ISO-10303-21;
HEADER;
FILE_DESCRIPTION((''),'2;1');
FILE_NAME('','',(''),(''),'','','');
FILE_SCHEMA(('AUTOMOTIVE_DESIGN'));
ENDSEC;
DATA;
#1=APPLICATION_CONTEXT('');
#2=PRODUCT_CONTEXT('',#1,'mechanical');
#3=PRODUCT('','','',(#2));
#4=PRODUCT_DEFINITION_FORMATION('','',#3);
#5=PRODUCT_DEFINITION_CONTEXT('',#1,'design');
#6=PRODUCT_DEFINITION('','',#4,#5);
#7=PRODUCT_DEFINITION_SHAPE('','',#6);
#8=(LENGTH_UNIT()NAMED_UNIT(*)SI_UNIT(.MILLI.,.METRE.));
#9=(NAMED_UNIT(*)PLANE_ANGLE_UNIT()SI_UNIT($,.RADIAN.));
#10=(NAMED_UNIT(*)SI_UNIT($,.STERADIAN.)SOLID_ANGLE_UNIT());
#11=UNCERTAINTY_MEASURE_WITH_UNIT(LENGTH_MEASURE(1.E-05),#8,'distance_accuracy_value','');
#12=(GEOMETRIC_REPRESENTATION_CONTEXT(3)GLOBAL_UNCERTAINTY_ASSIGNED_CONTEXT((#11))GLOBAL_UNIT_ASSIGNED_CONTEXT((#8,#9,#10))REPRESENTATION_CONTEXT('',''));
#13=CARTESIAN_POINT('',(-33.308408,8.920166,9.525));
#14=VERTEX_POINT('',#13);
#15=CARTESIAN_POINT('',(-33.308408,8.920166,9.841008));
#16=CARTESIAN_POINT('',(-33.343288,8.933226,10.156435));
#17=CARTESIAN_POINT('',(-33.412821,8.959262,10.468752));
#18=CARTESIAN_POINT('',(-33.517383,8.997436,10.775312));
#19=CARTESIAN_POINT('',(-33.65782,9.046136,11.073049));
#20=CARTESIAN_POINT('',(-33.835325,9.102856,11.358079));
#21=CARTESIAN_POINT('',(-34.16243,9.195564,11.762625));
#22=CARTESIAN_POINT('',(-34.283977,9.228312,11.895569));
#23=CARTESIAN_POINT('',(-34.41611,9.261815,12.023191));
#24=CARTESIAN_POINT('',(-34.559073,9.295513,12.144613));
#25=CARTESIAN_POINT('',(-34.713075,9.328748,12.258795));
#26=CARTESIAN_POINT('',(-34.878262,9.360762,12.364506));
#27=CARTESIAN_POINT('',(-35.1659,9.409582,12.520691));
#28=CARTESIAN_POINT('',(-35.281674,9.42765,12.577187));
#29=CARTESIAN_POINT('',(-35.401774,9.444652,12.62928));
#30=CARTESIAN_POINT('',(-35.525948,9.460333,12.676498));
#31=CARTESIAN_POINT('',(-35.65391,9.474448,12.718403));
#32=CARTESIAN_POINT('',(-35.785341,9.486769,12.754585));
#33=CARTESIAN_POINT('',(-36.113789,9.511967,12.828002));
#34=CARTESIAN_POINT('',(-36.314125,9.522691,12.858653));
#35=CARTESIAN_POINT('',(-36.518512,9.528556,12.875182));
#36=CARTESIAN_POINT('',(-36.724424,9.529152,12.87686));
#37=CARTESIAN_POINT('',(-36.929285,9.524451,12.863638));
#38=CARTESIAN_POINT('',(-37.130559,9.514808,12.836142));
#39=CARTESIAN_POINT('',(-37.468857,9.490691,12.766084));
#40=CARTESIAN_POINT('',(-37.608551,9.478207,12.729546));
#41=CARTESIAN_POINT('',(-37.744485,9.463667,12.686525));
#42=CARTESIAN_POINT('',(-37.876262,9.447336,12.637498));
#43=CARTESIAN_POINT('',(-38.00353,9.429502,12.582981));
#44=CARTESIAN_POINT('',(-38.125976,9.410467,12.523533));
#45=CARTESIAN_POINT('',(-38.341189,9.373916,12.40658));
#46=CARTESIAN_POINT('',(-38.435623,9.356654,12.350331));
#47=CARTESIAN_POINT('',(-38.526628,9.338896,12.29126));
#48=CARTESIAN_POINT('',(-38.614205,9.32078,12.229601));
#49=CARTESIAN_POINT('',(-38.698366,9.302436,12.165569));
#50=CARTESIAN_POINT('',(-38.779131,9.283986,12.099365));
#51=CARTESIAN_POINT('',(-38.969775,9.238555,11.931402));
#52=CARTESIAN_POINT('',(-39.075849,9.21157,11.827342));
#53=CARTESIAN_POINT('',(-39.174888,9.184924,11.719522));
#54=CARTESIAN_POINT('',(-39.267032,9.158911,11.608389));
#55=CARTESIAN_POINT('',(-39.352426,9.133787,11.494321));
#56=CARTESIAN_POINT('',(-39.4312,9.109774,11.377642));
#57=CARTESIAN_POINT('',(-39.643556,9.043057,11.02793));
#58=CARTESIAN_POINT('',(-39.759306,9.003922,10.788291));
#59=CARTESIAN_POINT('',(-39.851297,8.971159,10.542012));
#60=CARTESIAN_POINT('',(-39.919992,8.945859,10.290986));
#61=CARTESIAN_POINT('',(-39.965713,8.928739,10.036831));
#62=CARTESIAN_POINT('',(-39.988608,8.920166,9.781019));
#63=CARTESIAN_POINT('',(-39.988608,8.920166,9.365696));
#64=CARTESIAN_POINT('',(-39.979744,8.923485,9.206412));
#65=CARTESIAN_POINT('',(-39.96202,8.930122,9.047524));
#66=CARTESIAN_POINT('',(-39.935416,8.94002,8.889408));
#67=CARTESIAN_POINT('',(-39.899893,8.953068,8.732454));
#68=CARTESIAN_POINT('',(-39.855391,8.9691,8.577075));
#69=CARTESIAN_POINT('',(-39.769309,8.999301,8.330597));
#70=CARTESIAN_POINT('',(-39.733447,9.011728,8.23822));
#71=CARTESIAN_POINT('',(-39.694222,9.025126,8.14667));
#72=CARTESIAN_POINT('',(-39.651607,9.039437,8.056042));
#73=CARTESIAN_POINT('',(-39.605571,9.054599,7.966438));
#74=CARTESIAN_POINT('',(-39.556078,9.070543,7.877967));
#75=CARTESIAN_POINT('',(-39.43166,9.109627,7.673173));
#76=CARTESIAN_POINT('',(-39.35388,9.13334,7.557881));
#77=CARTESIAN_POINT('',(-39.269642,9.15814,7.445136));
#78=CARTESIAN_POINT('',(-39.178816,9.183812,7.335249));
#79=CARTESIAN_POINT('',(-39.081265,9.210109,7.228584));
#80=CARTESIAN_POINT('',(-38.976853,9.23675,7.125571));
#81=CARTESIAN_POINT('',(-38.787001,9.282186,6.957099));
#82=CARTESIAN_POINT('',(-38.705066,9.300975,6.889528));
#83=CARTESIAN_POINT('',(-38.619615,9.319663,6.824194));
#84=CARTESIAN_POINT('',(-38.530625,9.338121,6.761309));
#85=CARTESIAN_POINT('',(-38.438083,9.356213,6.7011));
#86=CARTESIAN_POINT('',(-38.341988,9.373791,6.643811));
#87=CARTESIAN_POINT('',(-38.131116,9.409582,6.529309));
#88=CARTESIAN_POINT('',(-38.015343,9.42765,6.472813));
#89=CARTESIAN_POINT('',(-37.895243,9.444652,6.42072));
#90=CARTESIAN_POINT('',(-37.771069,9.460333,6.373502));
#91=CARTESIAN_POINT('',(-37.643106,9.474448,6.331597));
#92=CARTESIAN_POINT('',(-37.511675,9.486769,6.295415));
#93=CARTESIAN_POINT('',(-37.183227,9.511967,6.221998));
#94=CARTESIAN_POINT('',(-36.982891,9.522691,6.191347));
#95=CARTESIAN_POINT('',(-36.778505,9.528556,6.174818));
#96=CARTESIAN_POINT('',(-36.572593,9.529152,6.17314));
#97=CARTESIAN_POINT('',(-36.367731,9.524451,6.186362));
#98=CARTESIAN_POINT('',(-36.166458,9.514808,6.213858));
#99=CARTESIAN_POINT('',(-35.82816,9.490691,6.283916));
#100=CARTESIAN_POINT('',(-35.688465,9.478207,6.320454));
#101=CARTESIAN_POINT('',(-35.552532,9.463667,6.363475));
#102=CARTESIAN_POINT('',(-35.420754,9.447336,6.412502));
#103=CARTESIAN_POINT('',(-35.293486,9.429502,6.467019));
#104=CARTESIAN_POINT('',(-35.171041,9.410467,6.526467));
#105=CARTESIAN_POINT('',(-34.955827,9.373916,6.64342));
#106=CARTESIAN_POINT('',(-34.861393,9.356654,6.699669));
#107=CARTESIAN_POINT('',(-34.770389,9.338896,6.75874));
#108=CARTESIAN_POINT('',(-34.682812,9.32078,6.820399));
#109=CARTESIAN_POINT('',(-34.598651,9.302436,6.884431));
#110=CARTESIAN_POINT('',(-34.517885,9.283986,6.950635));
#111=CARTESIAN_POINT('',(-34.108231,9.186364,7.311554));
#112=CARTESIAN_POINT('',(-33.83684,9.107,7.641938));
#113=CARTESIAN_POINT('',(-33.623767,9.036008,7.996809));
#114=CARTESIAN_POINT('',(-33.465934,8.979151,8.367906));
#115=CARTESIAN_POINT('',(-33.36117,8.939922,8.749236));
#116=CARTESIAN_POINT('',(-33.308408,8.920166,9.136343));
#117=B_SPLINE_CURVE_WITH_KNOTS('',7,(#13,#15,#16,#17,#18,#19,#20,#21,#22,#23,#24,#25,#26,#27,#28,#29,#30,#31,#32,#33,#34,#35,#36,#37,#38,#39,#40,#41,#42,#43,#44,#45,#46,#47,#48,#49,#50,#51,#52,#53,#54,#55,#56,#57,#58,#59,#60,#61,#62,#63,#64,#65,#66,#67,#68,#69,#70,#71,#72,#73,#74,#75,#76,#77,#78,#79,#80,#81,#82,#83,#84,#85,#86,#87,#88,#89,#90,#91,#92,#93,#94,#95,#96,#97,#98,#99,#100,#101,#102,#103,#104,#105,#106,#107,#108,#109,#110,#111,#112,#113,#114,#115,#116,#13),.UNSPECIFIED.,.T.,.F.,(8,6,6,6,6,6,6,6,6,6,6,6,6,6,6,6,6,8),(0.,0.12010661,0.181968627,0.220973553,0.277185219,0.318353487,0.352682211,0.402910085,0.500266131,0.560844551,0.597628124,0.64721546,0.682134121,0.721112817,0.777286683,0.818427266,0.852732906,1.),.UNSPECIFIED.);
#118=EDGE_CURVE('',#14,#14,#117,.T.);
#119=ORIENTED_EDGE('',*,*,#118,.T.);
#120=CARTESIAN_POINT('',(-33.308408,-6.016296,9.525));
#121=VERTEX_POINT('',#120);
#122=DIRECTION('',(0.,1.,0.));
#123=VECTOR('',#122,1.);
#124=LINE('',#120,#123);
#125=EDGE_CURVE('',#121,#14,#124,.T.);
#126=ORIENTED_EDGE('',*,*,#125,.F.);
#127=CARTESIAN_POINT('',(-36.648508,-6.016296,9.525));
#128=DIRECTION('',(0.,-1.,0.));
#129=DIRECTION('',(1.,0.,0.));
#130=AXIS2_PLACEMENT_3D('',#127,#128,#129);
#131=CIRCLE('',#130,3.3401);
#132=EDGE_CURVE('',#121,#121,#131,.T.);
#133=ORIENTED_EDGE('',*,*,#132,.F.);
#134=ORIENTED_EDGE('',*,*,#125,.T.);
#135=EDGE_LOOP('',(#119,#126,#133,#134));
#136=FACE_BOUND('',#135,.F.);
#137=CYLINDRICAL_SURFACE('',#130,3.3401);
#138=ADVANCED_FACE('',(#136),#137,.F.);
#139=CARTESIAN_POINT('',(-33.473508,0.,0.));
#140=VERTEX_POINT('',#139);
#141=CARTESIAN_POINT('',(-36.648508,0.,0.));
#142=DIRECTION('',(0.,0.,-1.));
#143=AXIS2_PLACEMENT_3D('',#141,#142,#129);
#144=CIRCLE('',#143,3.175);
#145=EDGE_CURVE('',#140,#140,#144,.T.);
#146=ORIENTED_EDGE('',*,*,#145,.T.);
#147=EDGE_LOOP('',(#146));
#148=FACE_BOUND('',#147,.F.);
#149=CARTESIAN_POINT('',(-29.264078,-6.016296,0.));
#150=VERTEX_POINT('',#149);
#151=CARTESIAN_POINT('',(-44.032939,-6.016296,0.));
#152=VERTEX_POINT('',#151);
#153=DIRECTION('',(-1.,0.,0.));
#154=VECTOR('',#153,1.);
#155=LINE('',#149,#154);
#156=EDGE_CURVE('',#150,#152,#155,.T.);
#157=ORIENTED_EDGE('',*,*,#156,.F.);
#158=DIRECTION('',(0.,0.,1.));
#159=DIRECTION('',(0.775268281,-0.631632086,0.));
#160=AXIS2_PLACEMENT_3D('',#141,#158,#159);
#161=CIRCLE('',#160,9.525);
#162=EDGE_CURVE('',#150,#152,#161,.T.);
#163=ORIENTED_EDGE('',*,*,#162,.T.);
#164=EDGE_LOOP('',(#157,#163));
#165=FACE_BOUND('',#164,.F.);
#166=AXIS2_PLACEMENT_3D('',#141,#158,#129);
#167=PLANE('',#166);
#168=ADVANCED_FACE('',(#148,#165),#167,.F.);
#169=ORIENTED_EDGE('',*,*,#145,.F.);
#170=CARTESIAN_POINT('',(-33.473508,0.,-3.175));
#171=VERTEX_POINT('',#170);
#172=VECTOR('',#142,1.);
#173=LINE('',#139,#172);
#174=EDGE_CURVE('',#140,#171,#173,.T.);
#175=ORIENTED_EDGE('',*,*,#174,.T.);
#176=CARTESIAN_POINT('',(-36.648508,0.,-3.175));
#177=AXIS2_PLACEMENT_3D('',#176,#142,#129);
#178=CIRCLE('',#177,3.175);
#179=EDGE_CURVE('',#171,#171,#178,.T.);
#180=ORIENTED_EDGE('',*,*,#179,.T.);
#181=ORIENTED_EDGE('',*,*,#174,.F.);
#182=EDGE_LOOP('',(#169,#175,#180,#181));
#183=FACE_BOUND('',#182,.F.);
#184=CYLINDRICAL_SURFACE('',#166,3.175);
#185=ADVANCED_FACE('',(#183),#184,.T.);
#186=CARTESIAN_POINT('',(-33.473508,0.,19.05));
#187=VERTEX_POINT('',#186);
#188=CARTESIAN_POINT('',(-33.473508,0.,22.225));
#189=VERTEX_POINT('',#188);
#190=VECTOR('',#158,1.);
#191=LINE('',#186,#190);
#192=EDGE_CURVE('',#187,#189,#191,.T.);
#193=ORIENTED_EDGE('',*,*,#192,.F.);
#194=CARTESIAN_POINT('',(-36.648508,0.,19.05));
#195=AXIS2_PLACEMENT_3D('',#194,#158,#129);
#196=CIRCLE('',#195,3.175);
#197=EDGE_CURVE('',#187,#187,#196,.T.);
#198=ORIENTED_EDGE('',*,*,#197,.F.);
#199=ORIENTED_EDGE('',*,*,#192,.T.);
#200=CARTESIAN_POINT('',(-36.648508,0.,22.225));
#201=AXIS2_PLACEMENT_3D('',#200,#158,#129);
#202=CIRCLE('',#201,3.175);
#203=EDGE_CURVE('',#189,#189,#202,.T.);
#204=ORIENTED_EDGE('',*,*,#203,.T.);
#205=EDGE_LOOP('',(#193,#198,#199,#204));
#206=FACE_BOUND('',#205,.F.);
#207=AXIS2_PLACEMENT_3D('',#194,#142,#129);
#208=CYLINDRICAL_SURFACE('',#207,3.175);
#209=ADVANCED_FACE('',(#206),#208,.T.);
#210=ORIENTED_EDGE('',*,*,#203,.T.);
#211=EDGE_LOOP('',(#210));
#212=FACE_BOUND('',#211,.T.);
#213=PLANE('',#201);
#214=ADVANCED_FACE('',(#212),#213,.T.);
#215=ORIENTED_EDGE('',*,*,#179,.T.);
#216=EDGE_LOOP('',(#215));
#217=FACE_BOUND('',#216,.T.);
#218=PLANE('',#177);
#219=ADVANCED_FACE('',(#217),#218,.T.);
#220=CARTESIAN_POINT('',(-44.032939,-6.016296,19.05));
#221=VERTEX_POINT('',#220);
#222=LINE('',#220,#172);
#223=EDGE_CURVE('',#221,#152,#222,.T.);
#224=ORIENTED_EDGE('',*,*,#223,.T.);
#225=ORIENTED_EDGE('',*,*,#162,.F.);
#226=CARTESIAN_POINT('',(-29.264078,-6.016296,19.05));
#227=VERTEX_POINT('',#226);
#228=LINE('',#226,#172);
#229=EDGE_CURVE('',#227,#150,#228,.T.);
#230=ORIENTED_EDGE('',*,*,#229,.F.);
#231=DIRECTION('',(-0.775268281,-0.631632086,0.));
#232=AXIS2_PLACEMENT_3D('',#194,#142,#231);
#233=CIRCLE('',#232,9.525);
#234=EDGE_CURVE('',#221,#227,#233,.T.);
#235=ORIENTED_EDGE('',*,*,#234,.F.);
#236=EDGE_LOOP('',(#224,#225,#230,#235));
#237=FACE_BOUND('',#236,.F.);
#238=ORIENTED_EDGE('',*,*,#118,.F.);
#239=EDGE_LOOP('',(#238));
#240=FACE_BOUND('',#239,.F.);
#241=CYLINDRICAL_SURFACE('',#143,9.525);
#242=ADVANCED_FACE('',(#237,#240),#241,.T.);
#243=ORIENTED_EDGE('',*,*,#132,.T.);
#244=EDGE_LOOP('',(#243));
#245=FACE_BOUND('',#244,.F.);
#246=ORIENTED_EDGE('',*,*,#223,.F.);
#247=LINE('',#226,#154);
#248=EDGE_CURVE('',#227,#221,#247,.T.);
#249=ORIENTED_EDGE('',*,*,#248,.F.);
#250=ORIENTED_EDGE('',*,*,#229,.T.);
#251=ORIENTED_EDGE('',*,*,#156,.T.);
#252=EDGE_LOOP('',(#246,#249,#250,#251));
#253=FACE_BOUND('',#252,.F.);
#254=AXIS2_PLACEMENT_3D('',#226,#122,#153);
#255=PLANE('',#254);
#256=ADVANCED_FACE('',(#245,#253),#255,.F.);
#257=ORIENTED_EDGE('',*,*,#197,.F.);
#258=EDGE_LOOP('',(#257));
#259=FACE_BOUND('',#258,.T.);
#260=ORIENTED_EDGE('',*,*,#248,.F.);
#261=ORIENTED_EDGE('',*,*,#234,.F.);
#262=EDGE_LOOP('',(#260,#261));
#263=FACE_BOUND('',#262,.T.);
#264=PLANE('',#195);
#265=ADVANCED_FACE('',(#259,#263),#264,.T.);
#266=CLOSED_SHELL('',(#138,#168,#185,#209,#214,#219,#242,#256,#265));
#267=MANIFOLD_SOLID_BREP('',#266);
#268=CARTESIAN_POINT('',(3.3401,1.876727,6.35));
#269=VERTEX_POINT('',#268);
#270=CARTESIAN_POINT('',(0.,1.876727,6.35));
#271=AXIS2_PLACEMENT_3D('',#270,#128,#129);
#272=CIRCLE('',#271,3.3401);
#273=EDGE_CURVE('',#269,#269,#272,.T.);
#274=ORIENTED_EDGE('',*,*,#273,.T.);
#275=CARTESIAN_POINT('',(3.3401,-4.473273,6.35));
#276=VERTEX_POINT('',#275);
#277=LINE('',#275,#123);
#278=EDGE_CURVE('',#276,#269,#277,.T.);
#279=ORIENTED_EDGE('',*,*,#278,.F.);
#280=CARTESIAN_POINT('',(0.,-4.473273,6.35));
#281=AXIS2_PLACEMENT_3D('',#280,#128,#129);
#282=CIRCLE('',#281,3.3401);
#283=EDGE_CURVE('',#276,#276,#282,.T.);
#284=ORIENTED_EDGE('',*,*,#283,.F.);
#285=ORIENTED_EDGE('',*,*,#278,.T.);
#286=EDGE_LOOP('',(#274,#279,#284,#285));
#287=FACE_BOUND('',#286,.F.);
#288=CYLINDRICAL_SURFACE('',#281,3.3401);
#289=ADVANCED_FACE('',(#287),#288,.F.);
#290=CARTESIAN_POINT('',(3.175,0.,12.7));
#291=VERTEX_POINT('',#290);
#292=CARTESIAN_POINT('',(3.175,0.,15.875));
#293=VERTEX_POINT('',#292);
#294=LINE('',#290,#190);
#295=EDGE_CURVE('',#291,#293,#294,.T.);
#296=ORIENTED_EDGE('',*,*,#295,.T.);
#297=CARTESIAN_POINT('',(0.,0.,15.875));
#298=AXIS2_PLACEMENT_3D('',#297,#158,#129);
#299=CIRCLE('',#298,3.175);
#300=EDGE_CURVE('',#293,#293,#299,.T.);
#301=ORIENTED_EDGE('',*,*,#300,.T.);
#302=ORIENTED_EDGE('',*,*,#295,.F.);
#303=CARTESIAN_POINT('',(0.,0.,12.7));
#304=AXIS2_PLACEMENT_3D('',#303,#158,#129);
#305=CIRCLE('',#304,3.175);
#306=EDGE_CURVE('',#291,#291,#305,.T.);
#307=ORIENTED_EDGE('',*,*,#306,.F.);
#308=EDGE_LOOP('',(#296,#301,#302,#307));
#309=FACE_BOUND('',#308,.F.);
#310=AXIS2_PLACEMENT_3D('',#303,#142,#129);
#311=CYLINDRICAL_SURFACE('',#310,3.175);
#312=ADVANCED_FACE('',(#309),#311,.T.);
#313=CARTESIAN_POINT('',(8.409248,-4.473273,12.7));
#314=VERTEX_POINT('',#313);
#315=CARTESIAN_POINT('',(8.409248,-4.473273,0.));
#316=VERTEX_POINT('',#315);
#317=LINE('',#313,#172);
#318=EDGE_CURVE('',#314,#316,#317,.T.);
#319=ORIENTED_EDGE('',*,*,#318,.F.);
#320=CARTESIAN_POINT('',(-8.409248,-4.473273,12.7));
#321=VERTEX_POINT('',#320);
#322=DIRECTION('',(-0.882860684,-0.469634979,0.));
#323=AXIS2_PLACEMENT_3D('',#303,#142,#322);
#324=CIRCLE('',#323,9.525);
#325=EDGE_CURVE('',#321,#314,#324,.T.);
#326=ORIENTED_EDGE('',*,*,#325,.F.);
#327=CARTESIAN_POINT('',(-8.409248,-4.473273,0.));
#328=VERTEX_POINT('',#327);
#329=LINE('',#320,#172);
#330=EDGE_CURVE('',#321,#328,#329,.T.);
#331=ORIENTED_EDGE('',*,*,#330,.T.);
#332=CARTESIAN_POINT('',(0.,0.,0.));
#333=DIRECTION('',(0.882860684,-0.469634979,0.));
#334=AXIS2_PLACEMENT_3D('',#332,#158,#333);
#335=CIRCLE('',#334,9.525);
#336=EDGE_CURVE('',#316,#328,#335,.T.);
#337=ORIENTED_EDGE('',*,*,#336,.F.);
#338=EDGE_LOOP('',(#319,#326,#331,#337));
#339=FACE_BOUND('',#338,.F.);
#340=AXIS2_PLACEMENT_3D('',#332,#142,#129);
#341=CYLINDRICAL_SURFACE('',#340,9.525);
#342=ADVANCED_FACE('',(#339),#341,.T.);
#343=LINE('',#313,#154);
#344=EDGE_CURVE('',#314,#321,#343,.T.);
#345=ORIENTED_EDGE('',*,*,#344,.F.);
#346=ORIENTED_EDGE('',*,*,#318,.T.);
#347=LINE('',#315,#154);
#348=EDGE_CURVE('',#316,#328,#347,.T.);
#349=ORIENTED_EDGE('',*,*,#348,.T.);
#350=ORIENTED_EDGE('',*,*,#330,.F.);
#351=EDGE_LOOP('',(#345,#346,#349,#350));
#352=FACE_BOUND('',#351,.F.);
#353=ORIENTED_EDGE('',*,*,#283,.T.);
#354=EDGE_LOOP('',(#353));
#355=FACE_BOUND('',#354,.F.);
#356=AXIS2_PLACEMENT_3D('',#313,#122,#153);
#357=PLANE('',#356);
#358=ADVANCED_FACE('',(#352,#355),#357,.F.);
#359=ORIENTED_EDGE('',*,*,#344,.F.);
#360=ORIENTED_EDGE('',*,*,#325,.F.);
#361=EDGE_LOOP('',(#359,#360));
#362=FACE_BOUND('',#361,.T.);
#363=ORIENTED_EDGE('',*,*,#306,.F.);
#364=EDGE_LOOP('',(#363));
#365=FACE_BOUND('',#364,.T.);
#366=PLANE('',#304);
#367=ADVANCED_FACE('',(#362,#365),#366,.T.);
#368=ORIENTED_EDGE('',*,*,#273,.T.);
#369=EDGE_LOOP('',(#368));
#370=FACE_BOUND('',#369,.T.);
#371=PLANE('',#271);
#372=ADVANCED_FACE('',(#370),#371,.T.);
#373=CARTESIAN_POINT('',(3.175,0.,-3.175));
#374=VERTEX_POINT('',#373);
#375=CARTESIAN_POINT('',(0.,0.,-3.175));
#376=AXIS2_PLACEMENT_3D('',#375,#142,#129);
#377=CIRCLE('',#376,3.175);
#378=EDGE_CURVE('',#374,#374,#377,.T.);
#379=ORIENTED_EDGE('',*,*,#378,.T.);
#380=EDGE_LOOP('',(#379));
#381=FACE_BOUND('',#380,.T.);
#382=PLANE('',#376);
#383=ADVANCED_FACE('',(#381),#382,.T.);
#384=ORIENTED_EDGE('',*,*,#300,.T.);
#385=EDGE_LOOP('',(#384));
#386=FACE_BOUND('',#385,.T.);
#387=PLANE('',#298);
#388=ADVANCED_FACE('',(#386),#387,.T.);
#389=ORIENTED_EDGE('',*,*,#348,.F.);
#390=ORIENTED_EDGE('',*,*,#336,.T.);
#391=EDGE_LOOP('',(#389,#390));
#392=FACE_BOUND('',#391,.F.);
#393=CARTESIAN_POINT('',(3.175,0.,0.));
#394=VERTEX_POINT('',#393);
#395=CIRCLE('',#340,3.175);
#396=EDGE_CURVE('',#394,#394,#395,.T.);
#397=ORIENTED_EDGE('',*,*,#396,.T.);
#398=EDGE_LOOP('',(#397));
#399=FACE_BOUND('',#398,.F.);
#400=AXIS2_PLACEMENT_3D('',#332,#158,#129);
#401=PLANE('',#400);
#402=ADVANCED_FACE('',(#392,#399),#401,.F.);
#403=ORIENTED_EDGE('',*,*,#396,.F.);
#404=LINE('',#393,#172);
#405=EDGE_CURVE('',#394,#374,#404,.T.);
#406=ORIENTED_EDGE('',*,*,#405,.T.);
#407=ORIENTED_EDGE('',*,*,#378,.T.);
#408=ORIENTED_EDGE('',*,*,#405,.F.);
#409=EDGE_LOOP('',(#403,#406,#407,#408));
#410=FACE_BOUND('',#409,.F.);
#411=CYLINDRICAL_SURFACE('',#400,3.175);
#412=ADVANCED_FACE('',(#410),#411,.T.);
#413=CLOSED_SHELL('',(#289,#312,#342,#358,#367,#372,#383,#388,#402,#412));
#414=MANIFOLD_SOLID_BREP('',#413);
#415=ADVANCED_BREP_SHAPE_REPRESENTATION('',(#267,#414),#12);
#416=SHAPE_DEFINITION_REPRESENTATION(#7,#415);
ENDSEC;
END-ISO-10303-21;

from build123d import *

# Parameters (mm, degrees)
F0_R      = 9.525
F1_DEPTH  = 12.7
F2_R      = 3.175
F3_DEPTH  = 3.175
F4_R      = 3.175
F5_DEPTH  = 3.175
F6_R      = 9.525
F7_DEPTH  = 19.05
F9_R      = 3.175
F10_DEPTH = 3.175
F8_R      = 3.175
F11_DEPTH = 3.175
F13_DEPTH = 12.7
F14_R     = 3.3401
F15_DEPTH = 6.35
F17_DEPTH = 19.05
F18_R     = 3.3401
F19_DEPTH = 25.4


with BuildPart() as f1:
    # F0 (on Top) → F1 (new body)
    with BuildSketch(Plane.XY):
        Circle(F0_R)
    extrude(amount=F1_DEPTH)

    # F2 (on face) → F3 (join)
    with BuildSketch(Plane.XY.offset(12.7)):
        Circle(F2_R)
    extrude(amount=F3_DEPTH)

    # F4 (on face) → F5 (join)
    with BuildSketch(Plane(origin=(0, 0, 0), x_dir=(1, 0, 0), z_dir=(0, 0, -1))):
        Circle(F4_R)
    extrude(amount=F5_DEPTH)

    # F12 (on face) → F13 (cut)
    with BuildSketch(Plane.XY.offset(12.7)):
        with BuildLine():
            Line((8.4092480125, -4.4732731713), (-8.4092480125, -4.4732731713))
            ThreePointArc((-8.4092480125, -4.4732731713), (0, -9.525), (8.4092480125, -4.4732731713))
        make_face()
    extrude(amount=-F13_DEPTH, mode=Mode.SUBTRACT)

    # F14 (on face) → F15 (cut)
    with BuildSketch(Plane.XZ.offset(4.4732731713)):
        with Locations((0, 6.35)):
            Circle(F14_R)
    extrude(amount=-F15_DEPTH, mode=Mode.SUBTRACT)


with BuildPart() as f7:
    # F6 (on Top) → F7 (new body)
    with BuildSketch(Plane.XY):
        with Locations((-36.6485081613, 0)):
            Circle(F6_R)
    extrude(amount=F7_DEPTH)

    # F9 (on face) → F10 (join)
    with BuildSketch(Plane(origin=(0, 0, 0), x_dir=(1, 0, 0), z_dir=(0, 0, -1))):
        with Locations((-36.6485081613, 0)):
            Circle(F9_R)
    extrude(amount=F10_DEPTH)

    # F8 (on face) → F11 (join)
    with BuildSketch(Plane.XY.offset(19.05)):
        with Locations((-36.6485081613, 0)):
            Circle(F8_R)
    extrude(amount=F11_DEPTH)

    # F16 (on face) → F17 (cut)
    with BuildSketch(Plane.XY.offset(19.05)):
        with BuildLine():
            Line((-29.2640777834, -6.0162956205), (-44.0329385393, -6.0162956205))
            ThreePointArc((-44.0329385393, -6.0162956205), (-36.6485081613, -9.525), (-29.2640777834, -6.0162956205))
        make_face()
    extrude(amount=-F17_DEPTH, mode=Mode.SUBTRACT)

    # F18 (on face) → F19 (cut)
    with BuildSketch(Plane.XZ.offset(6.0162956205)):
        with Locations((-36.6485081613, 9.525)):
            Circle(F18_R)
    extrude(amount=-F19_DEPTH, mode=Mode.SUBTRACT)


solid = Compound([f1.part, f7.part])
